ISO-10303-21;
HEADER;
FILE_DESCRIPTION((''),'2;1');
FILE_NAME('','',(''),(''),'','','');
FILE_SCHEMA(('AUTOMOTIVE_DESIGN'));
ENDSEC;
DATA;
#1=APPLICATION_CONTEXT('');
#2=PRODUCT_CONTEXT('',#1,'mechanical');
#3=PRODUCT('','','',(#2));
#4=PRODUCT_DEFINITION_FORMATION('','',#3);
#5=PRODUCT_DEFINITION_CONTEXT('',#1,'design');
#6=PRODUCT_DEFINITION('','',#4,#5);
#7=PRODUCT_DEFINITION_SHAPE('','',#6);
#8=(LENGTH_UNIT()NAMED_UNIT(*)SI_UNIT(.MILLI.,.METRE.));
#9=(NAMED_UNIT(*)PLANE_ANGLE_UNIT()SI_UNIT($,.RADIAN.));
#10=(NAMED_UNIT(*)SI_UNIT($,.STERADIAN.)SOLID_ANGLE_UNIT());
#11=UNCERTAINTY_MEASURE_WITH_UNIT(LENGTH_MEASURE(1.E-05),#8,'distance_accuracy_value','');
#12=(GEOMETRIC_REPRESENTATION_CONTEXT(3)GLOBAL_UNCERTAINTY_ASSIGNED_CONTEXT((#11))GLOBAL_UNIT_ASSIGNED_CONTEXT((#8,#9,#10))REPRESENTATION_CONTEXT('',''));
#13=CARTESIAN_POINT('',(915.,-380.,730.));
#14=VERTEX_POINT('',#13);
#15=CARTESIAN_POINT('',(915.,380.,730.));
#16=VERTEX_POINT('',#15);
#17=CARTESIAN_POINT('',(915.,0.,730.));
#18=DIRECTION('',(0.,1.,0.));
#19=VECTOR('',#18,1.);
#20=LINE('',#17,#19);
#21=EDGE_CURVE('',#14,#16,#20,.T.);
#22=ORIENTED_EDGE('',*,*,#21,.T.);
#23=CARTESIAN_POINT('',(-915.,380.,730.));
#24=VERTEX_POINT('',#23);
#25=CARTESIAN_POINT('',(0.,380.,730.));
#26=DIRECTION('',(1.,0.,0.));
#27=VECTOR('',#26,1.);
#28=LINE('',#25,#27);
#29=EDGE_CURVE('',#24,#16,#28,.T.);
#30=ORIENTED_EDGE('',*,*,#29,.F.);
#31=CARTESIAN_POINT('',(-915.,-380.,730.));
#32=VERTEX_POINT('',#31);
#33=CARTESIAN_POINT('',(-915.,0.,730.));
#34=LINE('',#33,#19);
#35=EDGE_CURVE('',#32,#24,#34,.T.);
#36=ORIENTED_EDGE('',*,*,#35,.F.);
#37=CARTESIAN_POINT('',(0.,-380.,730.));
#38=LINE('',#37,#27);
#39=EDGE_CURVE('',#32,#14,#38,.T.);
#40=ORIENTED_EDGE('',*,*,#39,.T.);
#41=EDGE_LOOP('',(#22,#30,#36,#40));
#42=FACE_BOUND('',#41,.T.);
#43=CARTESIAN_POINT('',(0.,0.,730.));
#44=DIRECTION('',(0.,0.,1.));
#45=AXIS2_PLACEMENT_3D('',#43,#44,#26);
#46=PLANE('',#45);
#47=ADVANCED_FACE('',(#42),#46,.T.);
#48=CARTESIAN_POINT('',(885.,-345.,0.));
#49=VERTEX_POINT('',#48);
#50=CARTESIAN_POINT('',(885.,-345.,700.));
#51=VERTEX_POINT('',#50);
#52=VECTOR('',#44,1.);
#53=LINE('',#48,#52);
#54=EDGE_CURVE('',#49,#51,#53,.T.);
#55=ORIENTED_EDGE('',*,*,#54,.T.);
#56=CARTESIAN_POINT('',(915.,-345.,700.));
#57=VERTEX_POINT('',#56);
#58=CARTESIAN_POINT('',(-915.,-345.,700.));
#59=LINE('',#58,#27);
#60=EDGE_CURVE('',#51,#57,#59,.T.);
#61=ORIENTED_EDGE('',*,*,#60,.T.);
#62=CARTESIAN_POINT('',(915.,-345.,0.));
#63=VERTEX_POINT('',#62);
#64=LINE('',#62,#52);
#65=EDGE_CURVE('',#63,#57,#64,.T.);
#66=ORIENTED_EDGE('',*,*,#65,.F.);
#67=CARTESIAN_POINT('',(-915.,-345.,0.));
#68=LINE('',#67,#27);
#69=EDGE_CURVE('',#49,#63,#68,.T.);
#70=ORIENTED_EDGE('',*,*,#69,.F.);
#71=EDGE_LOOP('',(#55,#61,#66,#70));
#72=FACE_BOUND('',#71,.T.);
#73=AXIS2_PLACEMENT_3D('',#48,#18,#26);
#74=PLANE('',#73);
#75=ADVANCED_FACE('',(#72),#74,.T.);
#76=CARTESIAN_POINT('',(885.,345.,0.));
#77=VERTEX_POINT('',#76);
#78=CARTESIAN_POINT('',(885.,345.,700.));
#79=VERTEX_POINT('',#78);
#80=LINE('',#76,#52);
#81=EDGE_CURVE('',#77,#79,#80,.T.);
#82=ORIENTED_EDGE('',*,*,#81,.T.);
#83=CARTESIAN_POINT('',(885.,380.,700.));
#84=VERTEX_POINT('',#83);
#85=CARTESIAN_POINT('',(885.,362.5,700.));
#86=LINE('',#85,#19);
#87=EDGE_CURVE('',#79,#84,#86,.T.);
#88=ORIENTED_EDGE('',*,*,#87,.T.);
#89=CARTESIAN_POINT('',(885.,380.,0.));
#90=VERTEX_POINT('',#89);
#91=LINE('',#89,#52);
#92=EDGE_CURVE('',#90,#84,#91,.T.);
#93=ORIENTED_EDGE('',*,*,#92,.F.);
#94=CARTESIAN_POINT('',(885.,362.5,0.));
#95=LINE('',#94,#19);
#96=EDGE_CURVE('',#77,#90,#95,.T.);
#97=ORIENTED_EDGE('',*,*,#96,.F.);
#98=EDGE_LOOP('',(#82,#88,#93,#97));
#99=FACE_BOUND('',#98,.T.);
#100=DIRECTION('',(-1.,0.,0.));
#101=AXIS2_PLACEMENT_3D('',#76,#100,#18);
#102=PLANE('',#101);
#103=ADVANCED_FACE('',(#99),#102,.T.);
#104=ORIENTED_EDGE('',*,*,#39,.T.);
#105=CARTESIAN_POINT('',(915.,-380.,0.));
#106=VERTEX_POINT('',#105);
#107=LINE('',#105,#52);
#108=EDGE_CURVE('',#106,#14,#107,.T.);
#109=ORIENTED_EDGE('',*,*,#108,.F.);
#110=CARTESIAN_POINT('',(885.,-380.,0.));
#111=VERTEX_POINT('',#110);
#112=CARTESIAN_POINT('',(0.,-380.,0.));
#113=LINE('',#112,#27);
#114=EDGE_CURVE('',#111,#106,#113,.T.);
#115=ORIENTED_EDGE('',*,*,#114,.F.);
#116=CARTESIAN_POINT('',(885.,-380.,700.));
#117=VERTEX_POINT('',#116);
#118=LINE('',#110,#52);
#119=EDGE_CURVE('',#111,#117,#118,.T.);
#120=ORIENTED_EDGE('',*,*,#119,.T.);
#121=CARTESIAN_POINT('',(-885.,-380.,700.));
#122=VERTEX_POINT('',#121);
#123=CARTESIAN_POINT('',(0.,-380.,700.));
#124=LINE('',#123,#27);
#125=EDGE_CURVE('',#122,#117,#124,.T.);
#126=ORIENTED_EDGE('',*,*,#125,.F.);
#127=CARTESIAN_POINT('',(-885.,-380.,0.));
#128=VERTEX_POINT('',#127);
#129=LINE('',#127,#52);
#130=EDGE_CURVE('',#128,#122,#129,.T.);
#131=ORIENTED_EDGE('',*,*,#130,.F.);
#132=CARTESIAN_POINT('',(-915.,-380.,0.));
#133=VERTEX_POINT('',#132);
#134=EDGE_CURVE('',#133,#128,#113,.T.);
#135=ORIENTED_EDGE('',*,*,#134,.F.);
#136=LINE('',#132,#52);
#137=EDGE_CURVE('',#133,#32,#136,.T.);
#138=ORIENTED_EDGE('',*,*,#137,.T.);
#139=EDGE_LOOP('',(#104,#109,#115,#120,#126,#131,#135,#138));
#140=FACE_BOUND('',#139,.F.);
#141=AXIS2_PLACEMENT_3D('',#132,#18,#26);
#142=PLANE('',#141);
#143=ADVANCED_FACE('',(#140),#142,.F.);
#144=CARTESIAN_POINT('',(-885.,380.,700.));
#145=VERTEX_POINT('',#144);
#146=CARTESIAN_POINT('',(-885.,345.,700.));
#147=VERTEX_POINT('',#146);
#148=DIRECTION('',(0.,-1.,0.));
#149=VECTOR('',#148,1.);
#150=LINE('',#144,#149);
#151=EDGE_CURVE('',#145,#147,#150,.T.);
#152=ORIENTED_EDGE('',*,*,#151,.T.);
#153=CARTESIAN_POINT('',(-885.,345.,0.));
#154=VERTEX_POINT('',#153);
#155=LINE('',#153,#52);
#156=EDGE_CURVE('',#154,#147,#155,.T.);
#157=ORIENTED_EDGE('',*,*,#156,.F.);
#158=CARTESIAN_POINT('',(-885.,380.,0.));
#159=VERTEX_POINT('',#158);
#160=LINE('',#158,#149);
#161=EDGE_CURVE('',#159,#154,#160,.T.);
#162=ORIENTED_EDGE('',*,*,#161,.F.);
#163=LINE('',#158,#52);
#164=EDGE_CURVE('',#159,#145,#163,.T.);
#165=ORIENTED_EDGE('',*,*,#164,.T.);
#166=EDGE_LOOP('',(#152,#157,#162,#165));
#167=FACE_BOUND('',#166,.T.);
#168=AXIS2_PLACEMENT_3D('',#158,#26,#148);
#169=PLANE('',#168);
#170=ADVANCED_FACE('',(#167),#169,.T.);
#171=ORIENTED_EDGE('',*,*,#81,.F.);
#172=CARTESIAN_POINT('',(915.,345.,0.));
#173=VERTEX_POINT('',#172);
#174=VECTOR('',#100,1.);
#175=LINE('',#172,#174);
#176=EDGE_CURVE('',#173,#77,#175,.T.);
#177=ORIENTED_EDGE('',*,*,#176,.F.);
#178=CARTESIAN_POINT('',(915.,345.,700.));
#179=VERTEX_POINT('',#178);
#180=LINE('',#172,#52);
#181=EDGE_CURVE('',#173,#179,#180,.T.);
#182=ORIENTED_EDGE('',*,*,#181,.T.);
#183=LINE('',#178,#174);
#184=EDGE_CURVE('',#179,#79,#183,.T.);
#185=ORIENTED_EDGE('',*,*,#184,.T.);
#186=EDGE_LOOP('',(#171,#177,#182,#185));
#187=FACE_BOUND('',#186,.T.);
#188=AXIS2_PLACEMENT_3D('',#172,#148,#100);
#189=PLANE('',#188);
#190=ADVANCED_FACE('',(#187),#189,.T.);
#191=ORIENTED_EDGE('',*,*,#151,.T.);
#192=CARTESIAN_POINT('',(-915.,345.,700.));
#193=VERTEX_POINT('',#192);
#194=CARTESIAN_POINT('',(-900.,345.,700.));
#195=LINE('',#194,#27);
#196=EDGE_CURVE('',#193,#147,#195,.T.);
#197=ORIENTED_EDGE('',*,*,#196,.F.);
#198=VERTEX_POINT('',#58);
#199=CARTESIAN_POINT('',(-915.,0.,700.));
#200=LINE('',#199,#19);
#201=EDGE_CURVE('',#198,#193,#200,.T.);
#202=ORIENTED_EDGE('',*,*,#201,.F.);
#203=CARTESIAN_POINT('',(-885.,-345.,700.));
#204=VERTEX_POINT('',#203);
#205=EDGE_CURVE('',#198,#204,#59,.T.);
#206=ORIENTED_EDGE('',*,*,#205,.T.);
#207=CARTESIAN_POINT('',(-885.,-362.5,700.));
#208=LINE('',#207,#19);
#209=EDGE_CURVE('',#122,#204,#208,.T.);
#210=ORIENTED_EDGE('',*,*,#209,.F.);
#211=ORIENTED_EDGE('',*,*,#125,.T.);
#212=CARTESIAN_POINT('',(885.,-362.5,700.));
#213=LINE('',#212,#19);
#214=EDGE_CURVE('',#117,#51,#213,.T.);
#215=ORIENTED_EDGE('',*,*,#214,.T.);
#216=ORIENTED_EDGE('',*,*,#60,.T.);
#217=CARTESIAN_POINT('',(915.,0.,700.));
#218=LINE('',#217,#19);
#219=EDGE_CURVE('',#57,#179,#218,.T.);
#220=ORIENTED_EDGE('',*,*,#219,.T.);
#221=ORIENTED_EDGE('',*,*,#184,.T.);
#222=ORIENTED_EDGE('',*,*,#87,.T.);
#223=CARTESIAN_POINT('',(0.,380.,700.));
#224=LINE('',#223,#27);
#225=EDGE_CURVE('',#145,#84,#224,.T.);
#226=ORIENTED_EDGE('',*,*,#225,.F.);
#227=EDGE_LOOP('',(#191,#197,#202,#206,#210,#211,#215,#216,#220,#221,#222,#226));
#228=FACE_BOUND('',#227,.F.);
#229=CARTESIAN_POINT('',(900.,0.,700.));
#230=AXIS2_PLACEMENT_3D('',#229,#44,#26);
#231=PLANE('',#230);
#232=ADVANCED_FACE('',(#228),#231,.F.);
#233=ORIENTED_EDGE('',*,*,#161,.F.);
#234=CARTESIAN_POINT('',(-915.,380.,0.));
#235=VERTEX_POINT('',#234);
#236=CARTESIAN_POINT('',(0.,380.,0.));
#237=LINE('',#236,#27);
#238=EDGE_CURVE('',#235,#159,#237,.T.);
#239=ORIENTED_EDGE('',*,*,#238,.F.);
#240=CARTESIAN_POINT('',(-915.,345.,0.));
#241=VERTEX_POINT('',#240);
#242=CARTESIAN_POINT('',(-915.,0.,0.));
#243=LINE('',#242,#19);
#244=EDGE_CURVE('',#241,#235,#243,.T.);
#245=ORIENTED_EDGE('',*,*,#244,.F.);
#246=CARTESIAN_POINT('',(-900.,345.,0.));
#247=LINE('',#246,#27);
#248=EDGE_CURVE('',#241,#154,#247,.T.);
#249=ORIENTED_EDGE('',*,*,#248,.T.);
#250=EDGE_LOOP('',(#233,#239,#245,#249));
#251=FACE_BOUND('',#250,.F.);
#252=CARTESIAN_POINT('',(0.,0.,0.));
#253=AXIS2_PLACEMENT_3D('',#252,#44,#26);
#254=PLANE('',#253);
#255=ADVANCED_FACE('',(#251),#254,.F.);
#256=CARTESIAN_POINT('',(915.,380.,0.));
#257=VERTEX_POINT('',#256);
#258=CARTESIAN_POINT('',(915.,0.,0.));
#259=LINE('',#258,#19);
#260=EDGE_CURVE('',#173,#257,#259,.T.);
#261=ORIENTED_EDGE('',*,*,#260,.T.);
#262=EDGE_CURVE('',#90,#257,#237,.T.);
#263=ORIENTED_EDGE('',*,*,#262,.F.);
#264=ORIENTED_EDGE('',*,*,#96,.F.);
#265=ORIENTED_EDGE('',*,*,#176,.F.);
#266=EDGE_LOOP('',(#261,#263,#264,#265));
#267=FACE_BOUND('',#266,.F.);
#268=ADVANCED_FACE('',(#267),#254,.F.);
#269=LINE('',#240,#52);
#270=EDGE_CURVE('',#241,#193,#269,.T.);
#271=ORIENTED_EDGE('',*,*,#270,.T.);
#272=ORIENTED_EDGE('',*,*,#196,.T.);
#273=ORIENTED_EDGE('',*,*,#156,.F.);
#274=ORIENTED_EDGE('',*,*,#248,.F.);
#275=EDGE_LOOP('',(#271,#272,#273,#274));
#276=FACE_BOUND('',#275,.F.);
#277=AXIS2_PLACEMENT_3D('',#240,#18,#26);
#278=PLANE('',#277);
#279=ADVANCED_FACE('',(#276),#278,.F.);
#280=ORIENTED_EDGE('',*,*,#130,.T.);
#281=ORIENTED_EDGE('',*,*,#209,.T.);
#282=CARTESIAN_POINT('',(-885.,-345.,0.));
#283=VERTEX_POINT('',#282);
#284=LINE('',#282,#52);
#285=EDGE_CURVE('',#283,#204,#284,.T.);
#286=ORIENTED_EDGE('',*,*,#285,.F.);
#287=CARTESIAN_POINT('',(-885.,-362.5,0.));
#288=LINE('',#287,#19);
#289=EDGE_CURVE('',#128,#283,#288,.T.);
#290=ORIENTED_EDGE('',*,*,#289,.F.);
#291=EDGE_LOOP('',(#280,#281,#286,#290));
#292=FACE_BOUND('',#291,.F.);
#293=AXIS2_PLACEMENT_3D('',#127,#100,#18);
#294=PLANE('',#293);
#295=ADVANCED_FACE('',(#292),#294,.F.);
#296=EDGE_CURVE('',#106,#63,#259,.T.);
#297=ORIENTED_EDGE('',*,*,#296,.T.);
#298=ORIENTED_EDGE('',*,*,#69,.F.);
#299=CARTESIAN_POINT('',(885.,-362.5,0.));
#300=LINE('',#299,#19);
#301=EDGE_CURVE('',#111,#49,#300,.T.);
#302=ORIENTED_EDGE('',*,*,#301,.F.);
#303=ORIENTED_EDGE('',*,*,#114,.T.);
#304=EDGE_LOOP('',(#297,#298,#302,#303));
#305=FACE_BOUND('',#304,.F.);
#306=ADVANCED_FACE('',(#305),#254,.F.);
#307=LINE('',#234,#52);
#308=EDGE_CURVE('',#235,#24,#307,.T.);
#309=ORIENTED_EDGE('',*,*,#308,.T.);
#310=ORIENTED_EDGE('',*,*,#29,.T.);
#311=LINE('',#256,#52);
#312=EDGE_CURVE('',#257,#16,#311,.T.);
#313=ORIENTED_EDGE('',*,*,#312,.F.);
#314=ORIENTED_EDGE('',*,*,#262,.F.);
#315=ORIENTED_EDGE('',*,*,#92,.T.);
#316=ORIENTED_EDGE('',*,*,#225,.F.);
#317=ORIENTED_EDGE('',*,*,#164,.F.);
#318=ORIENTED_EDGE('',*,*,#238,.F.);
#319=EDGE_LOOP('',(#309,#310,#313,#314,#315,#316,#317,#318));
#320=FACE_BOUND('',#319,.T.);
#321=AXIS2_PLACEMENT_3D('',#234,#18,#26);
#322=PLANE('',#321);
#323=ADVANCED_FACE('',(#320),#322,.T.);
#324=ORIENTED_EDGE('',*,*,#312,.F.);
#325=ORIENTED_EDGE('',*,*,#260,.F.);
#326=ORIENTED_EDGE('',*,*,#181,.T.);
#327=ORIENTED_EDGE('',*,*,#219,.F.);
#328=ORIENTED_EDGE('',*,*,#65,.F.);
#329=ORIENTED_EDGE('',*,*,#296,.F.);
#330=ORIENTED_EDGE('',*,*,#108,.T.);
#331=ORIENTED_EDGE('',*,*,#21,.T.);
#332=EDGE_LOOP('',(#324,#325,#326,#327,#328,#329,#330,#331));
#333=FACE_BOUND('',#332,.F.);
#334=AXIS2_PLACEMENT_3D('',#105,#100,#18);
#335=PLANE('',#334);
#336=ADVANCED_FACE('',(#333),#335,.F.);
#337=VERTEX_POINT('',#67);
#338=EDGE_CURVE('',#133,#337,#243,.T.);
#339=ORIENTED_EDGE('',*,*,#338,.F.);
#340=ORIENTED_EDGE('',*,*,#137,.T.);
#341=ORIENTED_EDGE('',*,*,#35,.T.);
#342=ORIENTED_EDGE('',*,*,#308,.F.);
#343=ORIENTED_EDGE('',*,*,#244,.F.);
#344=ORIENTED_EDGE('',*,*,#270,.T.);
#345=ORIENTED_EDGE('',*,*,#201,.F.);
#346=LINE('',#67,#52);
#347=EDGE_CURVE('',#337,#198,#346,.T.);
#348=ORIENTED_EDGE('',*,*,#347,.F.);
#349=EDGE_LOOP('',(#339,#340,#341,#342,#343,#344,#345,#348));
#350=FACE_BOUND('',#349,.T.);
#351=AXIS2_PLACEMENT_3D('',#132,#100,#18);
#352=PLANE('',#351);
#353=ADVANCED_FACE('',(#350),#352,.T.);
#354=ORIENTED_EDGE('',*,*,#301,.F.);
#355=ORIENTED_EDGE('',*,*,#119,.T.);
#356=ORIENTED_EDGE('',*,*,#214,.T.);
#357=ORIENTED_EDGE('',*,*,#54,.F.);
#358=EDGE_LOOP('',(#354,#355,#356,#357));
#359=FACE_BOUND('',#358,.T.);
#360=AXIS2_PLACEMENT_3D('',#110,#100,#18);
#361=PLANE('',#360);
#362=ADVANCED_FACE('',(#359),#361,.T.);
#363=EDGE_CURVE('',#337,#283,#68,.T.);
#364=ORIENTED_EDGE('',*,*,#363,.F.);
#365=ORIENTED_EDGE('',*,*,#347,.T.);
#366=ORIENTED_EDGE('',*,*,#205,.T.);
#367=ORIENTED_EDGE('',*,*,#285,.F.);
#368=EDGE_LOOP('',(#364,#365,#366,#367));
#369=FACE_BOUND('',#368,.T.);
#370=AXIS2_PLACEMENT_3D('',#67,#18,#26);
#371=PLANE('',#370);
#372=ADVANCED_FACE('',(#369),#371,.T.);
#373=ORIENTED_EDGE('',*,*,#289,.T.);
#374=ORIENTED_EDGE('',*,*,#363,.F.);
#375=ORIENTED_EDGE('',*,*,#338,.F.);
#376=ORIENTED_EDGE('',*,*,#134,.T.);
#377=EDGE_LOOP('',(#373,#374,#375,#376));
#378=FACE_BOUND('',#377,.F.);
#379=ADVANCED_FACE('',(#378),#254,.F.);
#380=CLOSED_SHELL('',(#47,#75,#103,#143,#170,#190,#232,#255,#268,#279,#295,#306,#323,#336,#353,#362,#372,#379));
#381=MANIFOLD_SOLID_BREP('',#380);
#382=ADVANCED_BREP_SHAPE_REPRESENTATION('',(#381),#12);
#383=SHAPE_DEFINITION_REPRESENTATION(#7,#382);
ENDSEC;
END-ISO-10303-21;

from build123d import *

# Parameters (mm, degrees)
F0_W     = 1830
F0_H     = 760
F1_DEPTH = 730
F2_W     = 30
F2_H     = 690
F2_W_2   = 1770
F2_H_2   = 35
F3_DEPTH = 700


with BuildPart() as f1:
    # F0 (on Top) → F1 (new body)
    with BuildSketch(Plane.XY):
        Rectangle(F0_W, F0_H)
    extrude(amount=F1_DEPTH)

    # F2 (on Top) → F3 (cut)
    with BuildSketch(Plane.XY):
        with Locations((900, 0)):
            Rectangle(F2_W, F2_H)
        Rectangle(F2_W_2, F2_H)
        with Locations((0, 362.5)):
            Rectangle(F2_W_2, F2_H_2)
        with Locations((-900, 0)):
            Rectangle(F2_W, F2_H)
        with Locations((0, -362.5)):
            Rectangle(F2_W_2, F2_H_2)
    extrude(amount=F3_DEPTH, mode=Mode.SUBTRACT)


solid = f1.part
